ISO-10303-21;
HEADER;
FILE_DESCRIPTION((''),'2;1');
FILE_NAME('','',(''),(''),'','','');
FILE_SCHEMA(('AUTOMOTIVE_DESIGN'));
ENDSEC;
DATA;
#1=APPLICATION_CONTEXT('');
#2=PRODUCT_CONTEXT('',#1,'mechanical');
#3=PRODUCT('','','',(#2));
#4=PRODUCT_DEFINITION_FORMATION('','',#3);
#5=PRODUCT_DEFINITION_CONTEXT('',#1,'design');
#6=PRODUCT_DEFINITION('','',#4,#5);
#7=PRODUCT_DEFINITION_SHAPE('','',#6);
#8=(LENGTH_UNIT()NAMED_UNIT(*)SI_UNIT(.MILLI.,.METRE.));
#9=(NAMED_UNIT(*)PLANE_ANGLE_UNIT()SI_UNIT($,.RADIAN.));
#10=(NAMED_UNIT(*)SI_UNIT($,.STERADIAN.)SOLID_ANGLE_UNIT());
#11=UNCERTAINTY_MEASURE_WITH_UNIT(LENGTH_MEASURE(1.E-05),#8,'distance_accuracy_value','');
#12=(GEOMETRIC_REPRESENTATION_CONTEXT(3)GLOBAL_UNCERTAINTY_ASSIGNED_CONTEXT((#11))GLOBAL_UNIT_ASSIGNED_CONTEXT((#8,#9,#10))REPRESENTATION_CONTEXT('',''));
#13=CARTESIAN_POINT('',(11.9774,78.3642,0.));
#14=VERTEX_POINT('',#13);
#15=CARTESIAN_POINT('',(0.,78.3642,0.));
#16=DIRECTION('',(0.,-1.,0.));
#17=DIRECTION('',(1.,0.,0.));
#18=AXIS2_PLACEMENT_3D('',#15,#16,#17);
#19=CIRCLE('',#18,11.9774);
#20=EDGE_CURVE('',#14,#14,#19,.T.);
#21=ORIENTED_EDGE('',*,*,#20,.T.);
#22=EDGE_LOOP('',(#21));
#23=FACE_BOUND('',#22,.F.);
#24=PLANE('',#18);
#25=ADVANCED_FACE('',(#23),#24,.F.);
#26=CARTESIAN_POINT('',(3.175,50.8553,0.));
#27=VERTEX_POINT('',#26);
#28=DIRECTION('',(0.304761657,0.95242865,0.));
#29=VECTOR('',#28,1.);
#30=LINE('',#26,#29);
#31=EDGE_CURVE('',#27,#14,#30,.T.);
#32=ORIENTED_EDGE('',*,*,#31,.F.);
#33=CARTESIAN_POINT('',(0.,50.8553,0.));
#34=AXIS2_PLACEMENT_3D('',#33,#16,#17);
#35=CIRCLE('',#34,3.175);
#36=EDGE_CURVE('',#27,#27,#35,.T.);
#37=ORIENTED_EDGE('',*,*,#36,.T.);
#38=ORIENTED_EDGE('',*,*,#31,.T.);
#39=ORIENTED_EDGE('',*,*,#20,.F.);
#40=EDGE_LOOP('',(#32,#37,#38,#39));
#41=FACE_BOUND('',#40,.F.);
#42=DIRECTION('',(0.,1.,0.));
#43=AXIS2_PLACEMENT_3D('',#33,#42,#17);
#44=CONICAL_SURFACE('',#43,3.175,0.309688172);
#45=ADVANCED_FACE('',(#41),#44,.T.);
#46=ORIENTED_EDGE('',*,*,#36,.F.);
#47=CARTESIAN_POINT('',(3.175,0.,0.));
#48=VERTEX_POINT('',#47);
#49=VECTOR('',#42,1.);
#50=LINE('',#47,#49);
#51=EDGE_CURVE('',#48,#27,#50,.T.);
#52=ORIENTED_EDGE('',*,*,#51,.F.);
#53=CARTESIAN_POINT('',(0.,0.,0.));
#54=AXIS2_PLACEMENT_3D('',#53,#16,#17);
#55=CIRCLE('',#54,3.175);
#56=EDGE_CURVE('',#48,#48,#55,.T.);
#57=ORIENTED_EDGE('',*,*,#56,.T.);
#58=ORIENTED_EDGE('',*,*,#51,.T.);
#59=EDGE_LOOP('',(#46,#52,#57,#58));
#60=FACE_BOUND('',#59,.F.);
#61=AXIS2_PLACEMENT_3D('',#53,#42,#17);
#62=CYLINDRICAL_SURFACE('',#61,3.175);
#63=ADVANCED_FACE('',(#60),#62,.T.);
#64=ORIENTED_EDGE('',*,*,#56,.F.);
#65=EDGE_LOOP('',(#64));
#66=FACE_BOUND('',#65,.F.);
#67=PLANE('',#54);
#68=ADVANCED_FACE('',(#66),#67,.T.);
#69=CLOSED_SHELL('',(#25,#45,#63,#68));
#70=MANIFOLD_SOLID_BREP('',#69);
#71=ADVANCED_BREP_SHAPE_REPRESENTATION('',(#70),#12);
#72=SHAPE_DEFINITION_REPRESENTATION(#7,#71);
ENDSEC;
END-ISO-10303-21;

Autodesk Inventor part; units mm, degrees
ref_plane "YZ Plane" through (0, 0, 0) normal (1, 0, 0) x (0, 1, 0)
ref_plane "XZ Plane" through (0, 0, 0) normal (0, 1, 0) x (-1, 0, 0)
ref_plane "XY Plane" through (0, 0, 0) normal (0, 0, 1) x (1, 0, 0)
sketch "Sketch1" plane through (0, 0, 0) normal (0, 0, 1) x (1, 0, 0)
  line L0 (0, 0) -> (3.175, 0)
  line L1 (3.175, 0) -> (3.175, 50.8553)
  line L2 (3.175, 50.8553) -> (11.9774, 78.3642)
  line L3 (11.9774, 78.3642) -> (0, 78.3642)
  line L4 (0, 78.3642) -> (0, 0)
  dimension "d0" = 3.175
revolve "Revolution1" add sketch "Sketch1" angle 360 about axis through (0, 78.3642, 0) along (0, -1, 0)
properties part number "pour2"
